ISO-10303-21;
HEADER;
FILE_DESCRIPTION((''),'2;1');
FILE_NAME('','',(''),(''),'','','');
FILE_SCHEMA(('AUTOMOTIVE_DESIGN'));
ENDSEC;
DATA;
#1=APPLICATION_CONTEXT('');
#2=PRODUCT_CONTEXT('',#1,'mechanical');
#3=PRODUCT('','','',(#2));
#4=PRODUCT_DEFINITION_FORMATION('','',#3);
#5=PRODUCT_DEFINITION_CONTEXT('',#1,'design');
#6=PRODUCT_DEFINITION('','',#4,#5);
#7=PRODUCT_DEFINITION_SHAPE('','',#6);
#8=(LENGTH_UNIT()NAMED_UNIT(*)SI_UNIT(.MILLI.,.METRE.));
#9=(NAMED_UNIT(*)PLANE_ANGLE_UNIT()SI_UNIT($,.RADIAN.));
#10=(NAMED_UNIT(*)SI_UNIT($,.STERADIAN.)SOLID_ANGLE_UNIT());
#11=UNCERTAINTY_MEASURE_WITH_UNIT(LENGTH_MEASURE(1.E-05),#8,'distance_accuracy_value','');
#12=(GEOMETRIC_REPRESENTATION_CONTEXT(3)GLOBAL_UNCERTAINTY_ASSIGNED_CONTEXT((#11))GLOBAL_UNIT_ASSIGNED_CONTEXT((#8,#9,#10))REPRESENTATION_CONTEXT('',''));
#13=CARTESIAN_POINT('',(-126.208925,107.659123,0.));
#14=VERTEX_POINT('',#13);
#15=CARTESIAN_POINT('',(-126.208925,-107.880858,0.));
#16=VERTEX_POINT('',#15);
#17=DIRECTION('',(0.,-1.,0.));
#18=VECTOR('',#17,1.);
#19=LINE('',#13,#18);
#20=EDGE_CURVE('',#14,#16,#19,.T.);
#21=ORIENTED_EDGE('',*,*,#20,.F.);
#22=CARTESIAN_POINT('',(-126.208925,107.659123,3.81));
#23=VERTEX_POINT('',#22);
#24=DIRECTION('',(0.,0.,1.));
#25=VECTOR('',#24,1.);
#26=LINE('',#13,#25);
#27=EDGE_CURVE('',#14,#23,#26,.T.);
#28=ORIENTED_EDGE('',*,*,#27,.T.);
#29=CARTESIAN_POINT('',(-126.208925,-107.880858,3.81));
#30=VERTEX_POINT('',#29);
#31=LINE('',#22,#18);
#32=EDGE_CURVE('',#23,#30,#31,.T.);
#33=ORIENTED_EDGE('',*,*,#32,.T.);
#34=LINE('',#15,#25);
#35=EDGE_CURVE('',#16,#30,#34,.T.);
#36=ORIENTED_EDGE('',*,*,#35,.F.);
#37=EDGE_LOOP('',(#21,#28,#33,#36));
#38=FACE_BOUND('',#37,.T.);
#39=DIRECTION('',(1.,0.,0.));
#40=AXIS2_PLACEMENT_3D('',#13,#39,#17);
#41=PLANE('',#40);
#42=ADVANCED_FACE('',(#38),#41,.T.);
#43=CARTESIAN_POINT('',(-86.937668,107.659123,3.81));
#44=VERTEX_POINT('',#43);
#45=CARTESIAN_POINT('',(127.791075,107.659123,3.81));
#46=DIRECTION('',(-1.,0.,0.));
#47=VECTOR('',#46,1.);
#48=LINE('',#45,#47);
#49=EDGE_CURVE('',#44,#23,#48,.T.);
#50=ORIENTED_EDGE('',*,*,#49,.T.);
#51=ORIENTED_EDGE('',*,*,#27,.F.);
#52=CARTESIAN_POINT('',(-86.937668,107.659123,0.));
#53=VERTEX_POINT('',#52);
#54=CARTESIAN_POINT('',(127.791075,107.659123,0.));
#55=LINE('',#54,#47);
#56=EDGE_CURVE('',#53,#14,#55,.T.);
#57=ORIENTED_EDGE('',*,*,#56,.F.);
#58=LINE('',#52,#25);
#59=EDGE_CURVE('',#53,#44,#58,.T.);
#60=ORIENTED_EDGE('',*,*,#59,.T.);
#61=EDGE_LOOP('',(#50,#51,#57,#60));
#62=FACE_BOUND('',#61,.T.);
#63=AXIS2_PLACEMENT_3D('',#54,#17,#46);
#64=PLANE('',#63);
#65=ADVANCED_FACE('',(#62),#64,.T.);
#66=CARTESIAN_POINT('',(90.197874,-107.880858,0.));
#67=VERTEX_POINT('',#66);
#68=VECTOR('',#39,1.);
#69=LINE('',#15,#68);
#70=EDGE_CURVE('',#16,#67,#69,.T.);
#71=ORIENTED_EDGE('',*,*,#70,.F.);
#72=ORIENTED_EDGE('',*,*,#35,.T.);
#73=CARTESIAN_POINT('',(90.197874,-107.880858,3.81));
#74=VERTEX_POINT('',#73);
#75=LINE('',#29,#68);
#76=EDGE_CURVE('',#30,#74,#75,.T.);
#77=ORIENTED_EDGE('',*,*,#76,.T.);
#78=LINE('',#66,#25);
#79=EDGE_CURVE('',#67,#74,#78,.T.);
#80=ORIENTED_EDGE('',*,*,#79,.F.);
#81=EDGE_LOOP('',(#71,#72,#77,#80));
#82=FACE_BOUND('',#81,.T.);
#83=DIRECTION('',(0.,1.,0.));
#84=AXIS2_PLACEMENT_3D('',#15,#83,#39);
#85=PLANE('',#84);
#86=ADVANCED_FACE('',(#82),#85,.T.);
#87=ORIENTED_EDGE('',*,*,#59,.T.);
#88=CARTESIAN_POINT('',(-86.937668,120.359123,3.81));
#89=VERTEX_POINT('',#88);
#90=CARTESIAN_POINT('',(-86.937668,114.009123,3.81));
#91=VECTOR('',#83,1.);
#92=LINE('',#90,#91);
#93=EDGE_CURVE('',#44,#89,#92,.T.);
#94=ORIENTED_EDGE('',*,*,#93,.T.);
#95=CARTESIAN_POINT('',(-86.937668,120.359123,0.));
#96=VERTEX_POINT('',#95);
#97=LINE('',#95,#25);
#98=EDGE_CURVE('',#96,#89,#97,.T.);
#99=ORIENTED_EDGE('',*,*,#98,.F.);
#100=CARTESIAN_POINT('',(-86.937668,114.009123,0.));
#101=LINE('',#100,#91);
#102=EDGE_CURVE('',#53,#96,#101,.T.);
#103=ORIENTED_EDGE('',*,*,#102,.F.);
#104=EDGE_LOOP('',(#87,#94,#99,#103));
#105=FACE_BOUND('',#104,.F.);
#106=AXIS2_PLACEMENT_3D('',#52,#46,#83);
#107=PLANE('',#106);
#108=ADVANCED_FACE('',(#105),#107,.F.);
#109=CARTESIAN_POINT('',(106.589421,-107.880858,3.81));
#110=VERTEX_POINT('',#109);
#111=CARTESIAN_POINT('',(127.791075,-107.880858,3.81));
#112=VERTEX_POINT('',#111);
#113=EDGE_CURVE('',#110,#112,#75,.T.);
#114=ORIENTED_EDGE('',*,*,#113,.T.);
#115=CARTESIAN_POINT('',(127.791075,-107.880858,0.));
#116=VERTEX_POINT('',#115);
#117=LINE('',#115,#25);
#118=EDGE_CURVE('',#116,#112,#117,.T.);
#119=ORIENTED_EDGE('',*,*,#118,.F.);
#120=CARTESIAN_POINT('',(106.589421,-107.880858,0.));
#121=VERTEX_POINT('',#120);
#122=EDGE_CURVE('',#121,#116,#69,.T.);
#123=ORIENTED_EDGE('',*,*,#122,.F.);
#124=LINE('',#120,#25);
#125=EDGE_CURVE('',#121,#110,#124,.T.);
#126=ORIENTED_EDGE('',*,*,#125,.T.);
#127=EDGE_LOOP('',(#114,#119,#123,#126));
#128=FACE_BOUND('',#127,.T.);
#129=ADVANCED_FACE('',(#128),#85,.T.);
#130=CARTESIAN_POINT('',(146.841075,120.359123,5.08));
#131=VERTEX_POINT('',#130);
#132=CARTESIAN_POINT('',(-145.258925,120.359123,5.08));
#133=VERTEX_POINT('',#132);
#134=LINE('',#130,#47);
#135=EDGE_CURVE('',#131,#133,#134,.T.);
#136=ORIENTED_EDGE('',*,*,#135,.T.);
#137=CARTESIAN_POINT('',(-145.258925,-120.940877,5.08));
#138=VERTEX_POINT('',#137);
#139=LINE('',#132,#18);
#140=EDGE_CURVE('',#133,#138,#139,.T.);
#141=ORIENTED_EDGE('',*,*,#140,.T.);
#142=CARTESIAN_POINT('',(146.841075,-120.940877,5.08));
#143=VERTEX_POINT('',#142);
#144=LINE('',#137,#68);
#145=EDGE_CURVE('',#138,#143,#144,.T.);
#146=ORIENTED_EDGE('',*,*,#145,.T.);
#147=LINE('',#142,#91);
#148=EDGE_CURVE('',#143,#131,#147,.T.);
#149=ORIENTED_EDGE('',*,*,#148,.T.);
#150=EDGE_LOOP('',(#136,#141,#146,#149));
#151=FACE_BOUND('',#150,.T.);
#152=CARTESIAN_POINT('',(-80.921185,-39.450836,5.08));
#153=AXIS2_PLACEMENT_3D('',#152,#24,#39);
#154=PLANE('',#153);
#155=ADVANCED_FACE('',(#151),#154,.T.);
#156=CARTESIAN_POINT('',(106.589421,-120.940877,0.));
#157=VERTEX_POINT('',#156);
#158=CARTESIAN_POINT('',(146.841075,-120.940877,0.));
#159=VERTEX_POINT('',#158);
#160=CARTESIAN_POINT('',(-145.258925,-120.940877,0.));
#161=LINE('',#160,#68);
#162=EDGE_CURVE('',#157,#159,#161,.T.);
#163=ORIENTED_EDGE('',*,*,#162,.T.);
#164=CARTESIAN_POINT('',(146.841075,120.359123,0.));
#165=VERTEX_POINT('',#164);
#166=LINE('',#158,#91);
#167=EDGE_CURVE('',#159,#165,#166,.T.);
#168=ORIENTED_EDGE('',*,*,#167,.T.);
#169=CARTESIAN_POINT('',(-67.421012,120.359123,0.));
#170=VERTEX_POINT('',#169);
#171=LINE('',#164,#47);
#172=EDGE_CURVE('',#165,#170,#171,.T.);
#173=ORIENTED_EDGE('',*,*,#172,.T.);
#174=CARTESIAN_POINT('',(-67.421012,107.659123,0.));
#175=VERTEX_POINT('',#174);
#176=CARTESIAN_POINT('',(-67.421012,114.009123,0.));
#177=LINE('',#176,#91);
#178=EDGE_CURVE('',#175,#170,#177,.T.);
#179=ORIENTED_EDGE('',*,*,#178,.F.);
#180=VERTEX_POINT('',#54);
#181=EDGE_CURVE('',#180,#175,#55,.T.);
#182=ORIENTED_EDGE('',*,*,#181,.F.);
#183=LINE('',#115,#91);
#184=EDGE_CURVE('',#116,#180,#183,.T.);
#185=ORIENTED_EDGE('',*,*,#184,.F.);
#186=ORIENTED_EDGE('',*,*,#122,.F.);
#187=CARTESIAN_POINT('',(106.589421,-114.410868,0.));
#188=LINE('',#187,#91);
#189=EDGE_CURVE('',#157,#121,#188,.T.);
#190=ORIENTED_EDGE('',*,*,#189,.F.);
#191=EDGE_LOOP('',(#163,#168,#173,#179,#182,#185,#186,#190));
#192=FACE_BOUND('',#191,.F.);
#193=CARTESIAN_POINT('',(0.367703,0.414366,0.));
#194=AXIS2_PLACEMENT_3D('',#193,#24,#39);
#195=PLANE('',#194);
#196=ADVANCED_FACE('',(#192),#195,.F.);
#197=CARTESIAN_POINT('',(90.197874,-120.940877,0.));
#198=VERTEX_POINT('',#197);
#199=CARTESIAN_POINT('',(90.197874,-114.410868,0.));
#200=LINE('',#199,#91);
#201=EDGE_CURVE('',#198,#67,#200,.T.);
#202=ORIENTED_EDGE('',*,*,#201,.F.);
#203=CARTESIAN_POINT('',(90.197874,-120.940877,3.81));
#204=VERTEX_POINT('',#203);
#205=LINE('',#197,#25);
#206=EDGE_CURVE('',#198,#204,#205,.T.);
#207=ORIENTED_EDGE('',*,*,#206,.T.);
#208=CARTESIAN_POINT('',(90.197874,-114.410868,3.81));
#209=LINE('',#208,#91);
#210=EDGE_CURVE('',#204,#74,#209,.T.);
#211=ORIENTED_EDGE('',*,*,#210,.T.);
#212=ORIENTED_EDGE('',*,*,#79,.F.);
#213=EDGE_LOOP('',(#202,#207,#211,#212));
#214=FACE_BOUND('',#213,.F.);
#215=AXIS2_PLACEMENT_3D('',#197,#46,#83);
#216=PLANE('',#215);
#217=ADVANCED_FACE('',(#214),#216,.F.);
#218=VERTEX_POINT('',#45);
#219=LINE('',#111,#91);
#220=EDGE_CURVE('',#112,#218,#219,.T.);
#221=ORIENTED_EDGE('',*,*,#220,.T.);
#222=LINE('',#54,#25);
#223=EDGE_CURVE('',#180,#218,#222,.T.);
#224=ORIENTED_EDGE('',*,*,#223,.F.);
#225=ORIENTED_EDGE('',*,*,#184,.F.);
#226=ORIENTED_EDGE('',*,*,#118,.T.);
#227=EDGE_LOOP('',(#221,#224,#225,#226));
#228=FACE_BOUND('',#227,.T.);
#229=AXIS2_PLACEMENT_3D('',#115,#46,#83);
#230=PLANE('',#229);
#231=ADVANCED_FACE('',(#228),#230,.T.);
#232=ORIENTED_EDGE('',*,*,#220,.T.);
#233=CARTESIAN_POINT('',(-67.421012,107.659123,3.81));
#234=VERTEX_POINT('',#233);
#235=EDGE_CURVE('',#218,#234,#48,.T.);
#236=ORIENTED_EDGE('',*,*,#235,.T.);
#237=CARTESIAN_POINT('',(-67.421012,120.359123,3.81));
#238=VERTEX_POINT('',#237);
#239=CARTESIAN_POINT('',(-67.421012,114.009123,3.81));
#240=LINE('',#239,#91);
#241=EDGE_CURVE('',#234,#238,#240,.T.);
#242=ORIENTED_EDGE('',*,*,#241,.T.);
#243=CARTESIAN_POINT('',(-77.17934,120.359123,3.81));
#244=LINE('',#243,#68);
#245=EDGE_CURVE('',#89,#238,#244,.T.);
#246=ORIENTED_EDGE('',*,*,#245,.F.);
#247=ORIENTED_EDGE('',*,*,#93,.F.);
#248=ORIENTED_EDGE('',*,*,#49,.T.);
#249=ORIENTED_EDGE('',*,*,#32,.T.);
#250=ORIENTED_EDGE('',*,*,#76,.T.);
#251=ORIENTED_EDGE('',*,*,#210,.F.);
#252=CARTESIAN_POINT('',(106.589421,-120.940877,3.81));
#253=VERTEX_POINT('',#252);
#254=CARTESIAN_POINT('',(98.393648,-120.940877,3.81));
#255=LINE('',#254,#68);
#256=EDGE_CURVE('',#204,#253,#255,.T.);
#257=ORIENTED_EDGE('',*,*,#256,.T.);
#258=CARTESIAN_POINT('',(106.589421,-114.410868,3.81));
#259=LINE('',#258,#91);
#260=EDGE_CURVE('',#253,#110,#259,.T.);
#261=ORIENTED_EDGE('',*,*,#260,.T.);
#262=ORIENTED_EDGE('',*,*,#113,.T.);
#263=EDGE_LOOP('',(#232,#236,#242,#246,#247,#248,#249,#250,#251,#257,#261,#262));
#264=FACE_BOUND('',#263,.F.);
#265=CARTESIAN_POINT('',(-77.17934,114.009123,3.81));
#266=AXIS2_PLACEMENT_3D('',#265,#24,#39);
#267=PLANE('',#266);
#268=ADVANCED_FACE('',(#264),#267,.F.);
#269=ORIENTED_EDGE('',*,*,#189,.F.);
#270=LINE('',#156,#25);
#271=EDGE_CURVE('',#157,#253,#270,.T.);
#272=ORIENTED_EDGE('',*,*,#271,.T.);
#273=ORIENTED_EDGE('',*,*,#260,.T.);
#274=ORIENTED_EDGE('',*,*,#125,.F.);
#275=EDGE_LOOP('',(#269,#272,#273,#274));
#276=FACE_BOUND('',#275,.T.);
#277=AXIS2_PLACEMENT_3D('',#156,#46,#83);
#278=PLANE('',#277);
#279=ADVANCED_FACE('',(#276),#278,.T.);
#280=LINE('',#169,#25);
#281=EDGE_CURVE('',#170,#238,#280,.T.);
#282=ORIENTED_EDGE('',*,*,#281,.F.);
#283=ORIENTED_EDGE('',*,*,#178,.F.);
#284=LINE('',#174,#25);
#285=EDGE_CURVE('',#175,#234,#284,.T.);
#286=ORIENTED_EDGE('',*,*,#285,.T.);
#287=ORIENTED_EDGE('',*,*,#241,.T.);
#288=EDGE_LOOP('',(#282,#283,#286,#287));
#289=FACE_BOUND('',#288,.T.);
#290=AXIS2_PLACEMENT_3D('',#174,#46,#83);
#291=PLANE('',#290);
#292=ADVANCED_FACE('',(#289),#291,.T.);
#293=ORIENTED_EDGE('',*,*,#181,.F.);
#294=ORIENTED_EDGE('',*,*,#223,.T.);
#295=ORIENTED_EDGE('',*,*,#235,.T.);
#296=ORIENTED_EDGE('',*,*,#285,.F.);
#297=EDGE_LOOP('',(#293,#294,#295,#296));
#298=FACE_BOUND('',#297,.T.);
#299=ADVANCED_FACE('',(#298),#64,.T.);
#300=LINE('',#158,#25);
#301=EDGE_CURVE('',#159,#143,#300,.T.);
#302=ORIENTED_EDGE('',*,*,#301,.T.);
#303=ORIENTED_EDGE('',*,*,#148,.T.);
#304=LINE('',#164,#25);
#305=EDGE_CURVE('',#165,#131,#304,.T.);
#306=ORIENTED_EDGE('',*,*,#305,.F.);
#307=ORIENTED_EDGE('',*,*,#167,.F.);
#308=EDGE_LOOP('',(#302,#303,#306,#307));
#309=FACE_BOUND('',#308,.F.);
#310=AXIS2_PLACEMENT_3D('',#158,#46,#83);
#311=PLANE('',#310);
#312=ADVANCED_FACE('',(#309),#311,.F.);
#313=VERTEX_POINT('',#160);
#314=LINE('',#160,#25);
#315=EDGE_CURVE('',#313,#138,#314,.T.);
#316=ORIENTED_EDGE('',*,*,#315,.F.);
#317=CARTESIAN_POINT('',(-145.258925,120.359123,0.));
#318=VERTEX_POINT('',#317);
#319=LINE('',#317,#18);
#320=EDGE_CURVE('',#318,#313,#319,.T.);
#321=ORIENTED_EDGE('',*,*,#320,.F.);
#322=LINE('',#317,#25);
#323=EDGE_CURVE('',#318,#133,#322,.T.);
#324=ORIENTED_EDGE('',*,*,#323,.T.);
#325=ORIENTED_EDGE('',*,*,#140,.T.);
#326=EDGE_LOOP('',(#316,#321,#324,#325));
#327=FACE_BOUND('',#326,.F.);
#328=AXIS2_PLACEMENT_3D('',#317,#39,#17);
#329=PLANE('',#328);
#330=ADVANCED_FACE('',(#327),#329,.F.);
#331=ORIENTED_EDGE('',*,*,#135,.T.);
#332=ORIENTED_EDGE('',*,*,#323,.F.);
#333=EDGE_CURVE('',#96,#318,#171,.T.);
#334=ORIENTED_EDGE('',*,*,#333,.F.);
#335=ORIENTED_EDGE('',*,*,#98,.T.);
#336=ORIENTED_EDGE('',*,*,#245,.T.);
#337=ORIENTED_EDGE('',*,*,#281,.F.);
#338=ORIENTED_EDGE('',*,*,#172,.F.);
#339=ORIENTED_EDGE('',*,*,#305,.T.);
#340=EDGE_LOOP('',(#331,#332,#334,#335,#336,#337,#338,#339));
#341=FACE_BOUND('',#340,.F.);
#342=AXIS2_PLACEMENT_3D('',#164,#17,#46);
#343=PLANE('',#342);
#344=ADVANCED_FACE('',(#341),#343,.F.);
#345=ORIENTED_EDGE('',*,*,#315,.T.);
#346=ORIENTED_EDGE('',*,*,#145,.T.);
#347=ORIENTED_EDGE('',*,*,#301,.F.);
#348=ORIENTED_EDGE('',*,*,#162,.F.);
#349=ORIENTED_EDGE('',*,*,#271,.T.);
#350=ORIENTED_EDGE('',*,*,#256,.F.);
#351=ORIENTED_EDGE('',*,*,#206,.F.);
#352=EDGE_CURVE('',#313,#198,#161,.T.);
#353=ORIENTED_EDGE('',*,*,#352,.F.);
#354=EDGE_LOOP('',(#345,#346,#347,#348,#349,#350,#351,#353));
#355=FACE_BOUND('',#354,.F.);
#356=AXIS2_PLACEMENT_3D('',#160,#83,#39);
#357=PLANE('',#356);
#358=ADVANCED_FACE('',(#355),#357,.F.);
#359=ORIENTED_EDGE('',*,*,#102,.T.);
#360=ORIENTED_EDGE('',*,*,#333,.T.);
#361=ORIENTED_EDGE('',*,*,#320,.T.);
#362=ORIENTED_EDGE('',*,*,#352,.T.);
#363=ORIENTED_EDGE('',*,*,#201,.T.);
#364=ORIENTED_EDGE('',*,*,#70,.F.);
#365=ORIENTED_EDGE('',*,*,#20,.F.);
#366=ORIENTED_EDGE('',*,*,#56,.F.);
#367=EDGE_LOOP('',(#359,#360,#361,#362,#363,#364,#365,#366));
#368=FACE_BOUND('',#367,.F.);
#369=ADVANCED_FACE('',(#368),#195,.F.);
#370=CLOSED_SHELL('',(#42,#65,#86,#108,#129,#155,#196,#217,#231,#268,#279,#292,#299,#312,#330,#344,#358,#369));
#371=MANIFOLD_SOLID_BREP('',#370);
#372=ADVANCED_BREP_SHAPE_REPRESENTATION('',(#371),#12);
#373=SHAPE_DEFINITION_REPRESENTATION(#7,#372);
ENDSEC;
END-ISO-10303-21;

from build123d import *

# Parameters (mm, degrees)
F0_W     = 19.5166560506
F0_H     = 12.7
F0_W_2   = 16.3915466189
F0_H_2   = 13.060019505
F1_DEPTH = 5.08
F0_H_3   = 2.5634752994
F2_DEPTH = 5.08
F3_DEPTH = 3.81
F4_DEPTH = 3.81


with BuildPart() as f1:
    # F0 (on Top) → F1 (new body)
    with BuildSketch(Plane.XY):
        Polygon((-86.9376676773, 107.6591225748), (-86.9376676773, 120.3591225748), (-145.258925468, 120.3591225748), (-145.258925468, -120.9408774252), (90.1978743578, -120.9408774252), (90.1978743578, -107.8808579201), (-126.208925468, -107.8808579201), (-126.208925468, -44.3808579201), (-126.208925468, 107.6591225748), align=None)
        Polygon((146.841074532, -120.9408774252), (146.841074532, 120.3591225748), (-67.4210116267, 120.3591225748), (-67.4210116267, 107.6591225748), (127.791074532, 107.6591225748), (127.791074532, -107.8808579201), (106.5894209767, -107.8808579201), (106.5894209767, -120.9408774252), align=None)
        with Locations((-77.179339652, 114.0091225748)):
            Rectangle(F0_W, F0_H)
        with Locations((98.3936476673, -114.4108676727)):
            Rectangle(F0_W_2, F0_H_2)
    extrude(amount=F1_DEPTH)

    # F0 (on Top) → F2 (join)
    with BuildSketch(Plane.XY):
        Polygon((127.791074532, 107.6591225748), (-67.4210116267, 107.6591225748), (-67.4210116267, 105.0956472754), (-86.9376676773, 105.0956472754), (-86.9376676773, 107.6591225748), (-126.208925468, 107.6591225748), (-126.208925468, -44.3808579201), (-126.208925468, -107.8808579201), (90.1978743578, -107.8808579201), (106.5894209767, -107.8808579201), (127.791074532, -107.8808579201), align=None)
        with Locations((-77.179339652, 106.3773849251)):
            Rectangle(F0_W, F0_H_3)
    extrude(amount=F2_DEPTH)

    # F0 (on Top) → F3 (cut)
    with BuildSketch(Plane.XY):
        Polygon((127.791074532, 107.6591225748), (-67.4210116267, 107.6591225748), (-67.4210116267, 105.0956472754), (-86.9376676773, 105.0956472754), (-86.9376676773, 107.6591225748), (-126.208925468, 107.6591225748), (-126.208925468, -44.3808579201), (-126.208925468, -107.8808579201), (90.1978743578, -107.8808579201), (106.5894209767, -107.8808579201), (127.791074532, -107.8808579201), align=None)
        with Locations((-77.179339652, 106.3773849251)):
            Rectangle(F0_W, F0_H_3)
    extrude(amount=F3_DEPTH, mode=Mode.SUBTRACT)

    # F0 (on Top) → F4 (cut)
    with BuildSketch(Plane.XY):
        with Locations((98.3936476673, -114.4108676727)):
            Rectangle(F0_W_2, F0_H_2)
        with Locations((-77.179339652, 114.0091225748)):
            Rectangle(F0_W, F0_H)
    extrude(amount=F4_DEPTH, mode=Mode.SUBTRACT)


solid = f1.part
